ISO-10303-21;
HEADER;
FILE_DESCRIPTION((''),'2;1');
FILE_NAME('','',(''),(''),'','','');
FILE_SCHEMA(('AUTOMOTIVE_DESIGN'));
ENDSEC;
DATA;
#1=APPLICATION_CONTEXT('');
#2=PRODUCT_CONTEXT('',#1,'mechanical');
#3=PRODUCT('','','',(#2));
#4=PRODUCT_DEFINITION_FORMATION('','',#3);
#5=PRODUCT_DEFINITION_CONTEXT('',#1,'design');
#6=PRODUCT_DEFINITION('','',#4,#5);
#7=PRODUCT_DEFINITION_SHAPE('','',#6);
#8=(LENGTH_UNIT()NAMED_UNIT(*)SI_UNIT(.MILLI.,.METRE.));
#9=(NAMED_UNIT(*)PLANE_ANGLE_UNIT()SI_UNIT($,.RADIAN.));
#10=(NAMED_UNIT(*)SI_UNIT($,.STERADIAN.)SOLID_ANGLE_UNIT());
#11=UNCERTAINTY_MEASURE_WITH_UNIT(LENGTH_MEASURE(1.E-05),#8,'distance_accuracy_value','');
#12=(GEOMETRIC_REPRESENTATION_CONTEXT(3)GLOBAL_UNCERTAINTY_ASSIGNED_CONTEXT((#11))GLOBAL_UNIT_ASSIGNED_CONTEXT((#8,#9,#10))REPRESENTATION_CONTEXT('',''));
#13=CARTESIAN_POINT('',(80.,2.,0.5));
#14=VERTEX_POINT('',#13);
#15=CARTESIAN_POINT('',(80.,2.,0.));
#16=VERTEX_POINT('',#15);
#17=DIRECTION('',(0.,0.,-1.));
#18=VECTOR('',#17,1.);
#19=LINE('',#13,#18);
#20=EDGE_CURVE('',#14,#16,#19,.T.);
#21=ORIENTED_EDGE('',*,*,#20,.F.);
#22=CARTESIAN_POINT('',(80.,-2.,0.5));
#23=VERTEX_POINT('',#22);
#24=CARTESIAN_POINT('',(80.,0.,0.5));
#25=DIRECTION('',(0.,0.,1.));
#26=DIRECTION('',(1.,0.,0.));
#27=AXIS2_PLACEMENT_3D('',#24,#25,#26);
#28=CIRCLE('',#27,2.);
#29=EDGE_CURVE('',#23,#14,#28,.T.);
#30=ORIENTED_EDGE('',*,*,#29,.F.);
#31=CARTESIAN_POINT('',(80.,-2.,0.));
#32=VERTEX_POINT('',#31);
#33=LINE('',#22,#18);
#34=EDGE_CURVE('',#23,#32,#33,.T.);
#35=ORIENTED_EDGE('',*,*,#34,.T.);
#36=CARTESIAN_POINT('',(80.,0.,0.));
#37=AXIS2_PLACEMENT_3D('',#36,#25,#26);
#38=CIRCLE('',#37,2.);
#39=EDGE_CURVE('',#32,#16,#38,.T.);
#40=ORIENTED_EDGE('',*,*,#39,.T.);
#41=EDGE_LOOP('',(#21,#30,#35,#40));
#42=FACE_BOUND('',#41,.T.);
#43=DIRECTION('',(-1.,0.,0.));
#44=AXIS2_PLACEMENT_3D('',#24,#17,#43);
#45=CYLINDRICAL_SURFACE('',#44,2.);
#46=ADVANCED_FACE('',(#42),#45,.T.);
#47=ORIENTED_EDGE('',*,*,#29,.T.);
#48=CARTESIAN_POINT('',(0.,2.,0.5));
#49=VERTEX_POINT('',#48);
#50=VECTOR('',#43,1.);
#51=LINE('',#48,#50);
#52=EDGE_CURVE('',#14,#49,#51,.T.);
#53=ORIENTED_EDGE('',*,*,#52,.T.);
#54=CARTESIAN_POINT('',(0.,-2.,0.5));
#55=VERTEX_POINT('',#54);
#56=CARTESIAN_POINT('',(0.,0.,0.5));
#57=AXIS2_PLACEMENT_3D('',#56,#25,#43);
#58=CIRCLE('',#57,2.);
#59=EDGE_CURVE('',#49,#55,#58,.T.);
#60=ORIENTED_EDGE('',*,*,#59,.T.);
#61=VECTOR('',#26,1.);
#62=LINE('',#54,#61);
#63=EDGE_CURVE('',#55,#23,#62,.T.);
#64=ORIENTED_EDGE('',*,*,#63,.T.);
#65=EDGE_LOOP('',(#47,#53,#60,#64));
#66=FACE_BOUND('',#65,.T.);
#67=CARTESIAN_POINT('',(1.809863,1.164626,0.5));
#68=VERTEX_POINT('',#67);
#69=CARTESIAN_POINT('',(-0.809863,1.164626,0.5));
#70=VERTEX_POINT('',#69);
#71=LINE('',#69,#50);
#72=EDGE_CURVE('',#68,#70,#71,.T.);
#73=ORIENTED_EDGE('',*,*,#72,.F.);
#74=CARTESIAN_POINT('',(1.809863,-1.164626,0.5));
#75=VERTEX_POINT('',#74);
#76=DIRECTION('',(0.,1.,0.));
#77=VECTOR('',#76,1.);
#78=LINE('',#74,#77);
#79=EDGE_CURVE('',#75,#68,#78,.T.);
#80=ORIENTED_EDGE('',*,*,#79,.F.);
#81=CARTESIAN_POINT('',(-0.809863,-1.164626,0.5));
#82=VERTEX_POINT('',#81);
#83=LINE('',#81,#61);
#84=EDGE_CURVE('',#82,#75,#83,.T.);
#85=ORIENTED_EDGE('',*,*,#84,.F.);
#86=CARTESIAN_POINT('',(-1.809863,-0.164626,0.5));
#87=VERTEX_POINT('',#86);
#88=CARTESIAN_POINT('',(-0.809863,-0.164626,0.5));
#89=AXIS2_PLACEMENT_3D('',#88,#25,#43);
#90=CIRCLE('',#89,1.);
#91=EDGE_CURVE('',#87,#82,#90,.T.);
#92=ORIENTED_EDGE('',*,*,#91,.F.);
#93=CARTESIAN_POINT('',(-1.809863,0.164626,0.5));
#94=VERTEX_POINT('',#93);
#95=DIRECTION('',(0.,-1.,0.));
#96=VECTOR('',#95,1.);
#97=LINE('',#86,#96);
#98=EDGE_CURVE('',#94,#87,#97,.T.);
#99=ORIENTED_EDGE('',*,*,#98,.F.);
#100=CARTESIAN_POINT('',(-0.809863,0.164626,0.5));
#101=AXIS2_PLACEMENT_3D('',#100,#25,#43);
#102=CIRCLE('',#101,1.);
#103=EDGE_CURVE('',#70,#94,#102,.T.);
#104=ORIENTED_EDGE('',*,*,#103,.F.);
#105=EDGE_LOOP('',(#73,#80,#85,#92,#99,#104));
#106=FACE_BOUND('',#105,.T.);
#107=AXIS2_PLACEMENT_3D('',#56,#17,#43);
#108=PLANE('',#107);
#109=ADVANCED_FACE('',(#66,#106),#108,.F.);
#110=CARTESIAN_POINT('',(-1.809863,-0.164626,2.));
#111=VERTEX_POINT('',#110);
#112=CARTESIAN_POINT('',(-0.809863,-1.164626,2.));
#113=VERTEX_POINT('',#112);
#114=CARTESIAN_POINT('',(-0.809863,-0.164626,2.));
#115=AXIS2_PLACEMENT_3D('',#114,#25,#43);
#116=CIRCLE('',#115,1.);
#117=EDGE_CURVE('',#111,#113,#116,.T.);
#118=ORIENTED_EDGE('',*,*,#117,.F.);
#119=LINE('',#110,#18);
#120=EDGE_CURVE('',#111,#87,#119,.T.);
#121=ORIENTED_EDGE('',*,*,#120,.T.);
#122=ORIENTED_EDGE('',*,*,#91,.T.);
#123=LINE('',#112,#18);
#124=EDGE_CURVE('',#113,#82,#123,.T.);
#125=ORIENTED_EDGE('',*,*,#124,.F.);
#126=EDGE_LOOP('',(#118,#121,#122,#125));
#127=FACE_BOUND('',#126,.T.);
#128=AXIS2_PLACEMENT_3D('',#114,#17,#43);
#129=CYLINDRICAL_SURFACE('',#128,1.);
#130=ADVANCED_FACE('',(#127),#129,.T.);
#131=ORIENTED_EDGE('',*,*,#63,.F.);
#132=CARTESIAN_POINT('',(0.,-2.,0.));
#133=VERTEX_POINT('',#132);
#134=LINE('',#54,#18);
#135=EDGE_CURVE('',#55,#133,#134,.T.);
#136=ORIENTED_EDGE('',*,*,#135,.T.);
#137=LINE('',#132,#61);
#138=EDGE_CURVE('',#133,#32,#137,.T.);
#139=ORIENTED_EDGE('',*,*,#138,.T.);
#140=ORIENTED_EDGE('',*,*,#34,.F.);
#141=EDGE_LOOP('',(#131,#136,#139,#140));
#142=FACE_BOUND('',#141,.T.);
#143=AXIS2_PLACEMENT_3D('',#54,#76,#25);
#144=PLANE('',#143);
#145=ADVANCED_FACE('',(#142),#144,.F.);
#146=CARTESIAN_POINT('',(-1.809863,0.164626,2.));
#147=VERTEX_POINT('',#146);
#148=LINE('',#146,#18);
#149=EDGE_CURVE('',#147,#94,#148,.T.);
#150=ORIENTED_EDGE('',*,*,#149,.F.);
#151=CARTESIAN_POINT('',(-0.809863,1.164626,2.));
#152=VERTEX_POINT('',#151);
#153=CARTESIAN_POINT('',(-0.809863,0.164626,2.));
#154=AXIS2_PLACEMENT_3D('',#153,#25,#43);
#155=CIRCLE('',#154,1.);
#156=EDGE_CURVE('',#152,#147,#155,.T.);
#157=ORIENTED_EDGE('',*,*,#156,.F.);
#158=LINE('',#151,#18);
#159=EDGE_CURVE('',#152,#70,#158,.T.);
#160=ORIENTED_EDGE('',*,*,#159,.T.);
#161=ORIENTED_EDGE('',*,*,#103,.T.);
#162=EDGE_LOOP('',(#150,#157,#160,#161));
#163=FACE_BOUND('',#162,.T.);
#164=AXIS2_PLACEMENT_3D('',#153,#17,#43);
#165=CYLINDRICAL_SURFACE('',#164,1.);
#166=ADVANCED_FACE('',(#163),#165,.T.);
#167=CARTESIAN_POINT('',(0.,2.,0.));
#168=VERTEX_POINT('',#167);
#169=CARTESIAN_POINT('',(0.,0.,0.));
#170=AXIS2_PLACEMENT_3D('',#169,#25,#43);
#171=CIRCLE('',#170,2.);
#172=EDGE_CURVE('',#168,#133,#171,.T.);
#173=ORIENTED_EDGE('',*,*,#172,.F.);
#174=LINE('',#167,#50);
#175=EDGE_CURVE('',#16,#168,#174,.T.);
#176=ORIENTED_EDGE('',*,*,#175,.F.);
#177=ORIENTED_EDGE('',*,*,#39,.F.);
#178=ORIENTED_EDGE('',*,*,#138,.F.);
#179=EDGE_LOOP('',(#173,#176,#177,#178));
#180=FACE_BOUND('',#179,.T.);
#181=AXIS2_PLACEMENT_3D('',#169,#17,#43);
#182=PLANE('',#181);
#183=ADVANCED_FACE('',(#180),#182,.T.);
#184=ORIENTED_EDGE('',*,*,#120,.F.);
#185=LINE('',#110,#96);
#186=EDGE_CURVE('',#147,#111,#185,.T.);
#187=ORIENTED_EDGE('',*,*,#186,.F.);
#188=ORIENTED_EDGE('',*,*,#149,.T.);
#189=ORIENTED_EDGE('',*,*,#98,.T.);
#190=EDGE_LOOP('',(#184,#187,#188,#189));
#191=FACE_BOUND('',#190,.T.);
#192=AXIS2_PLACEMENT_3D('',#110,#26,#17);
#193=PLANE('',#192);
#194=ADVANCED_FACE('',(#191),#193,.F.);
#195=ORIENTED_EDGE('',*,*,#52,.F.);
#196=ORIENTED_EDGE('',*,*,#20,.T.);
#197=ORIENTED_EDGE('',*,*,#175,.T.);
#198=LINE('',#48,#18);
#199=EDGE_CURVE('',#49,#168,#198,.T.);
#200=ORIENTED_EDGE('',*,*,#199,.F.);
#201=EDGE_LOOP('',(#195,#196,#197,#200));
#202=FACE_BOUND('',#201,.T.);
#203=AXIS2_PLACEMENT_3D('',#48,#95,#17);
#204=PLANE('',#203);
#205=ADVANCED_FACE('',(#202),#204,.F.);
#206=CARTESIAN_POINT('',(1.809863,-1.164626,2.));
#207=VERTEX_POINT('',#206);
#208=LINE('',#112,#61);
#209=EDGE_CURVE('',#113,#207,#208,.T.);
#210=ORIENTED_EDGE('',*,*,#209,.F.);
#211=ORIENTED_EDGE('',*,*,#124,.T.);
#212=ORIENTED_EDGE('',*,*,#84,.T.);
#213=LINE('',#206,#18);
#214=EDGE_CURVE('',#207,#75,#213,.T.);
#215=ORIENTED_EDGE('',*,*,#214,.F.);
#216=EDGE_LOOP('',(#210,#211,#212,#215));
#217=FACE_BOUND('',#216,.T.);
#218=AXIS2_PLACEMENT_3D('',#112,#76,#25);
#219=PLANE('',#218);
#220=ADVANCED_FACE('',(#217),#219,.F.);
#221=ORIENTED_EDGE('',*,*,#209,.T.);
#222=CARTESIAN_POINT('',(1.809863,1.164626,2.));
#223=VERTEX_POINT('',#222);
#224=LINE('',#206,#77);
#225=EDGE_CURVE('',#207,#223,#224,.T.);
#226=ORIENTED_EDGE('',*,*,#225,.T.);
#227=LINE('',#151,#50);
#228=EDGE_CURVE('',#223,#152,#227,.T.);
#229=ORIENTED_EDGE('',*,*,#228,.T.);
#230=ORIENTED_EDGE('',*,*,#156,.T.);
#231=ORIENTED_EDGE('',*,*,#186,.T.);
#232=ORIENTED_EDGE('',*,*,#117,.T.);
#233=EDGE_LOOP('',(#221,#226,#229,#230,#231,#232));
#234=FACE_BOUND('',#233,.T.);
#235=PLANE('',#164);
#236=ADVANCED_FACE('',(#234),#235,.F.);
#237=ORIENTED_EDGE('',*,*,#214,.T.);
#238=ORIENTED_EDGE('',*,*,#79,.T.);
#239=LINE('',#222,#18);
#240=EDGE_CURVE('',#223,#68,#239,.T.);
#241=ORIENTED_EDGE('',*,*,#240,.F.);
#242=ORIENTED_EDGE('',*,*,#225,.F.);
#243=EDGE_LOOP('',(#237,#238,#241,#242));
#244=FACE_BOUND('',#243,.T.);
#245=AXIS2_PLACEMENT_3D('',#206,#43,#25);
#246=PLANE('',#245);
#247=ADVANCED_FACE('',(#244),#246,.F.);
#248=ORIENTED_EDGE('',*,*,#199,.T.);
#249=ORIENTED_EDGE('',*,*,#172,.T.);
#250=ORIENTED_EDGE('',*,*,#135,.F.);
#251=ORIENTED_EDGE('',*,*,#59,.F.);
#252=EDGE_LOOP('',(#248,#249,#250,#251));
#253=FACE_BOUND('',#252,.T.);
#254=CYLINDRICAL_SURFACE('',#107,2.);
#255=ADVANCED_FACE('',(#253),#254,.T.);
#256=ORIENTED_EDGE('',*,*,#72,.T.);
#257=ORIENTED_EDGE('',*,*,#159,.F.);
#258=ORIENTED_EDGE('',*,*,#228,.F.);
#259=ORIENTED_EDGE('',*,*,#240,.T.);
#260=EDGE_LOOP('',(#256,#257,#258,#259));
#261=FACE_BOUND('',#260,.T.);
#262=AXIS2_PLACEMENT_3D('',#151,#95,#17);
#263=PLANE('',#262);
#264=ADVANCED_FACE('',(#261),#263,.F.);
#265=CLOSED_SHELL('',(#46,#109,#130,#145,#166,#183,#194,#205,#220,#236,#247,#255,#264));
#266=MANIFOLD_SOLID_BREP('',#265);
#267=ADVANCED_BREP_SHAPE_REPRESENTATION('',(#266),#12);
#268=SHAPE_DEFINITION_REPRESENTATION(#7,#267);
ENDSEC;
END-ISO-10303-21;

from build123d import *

# Parameters (mm, degrees)
BOSS_EXTRU_1_DEPTH = 0.5
BOSS_EXTRU_2_DEPTH = 1.5


with BuildPart() as part:
    # Esquisse1 → Boss.-Extru.1 (new body)
    with BuildSketch(Plane.XY):
        with BuildLine():
            Line((0, -2), (80, -2))
            ThreePointArc((80, -2), (82, 0), (80, 2))
            Line((80, 2), (0, 2))
            ThreePointArc((0, 2), (-2, 0), (0, -2))
        make_face()
    extrude(amount=BOSS_EXTRU_1_DEPTH)

    # Esquisse2 → Boss.-Extru.2 (add)
    with BuildSketch(Plane.XY.offset(0.5)):
        with BuildLine():
            Line((-0.809863383, -1.164625511), (1.809863383, -1.164625511))
            Line((1.809863383, -1.164625511), (1.809863383, 1.164625511))
            Line((1.809863383, 1.164625511), (-0.809863383, 1.164625511))
            ThreePointArc((-0.809863383, 1.164625511), (-1.516970164, 0.871732292), (-1.809863383, 0.164625511))
            Line((-1.809863383, 0.164625511), (-1.809863383, -0.164625511))
            ThreePointArc((-1.809863383, -0.164625511), (-1.516970164, -0.871732292), (-0.809863383, -1.164625511))
        make_face()
    extrude(amount=BOSS_EXTRU_2_DEPTH)


solid = part.part
